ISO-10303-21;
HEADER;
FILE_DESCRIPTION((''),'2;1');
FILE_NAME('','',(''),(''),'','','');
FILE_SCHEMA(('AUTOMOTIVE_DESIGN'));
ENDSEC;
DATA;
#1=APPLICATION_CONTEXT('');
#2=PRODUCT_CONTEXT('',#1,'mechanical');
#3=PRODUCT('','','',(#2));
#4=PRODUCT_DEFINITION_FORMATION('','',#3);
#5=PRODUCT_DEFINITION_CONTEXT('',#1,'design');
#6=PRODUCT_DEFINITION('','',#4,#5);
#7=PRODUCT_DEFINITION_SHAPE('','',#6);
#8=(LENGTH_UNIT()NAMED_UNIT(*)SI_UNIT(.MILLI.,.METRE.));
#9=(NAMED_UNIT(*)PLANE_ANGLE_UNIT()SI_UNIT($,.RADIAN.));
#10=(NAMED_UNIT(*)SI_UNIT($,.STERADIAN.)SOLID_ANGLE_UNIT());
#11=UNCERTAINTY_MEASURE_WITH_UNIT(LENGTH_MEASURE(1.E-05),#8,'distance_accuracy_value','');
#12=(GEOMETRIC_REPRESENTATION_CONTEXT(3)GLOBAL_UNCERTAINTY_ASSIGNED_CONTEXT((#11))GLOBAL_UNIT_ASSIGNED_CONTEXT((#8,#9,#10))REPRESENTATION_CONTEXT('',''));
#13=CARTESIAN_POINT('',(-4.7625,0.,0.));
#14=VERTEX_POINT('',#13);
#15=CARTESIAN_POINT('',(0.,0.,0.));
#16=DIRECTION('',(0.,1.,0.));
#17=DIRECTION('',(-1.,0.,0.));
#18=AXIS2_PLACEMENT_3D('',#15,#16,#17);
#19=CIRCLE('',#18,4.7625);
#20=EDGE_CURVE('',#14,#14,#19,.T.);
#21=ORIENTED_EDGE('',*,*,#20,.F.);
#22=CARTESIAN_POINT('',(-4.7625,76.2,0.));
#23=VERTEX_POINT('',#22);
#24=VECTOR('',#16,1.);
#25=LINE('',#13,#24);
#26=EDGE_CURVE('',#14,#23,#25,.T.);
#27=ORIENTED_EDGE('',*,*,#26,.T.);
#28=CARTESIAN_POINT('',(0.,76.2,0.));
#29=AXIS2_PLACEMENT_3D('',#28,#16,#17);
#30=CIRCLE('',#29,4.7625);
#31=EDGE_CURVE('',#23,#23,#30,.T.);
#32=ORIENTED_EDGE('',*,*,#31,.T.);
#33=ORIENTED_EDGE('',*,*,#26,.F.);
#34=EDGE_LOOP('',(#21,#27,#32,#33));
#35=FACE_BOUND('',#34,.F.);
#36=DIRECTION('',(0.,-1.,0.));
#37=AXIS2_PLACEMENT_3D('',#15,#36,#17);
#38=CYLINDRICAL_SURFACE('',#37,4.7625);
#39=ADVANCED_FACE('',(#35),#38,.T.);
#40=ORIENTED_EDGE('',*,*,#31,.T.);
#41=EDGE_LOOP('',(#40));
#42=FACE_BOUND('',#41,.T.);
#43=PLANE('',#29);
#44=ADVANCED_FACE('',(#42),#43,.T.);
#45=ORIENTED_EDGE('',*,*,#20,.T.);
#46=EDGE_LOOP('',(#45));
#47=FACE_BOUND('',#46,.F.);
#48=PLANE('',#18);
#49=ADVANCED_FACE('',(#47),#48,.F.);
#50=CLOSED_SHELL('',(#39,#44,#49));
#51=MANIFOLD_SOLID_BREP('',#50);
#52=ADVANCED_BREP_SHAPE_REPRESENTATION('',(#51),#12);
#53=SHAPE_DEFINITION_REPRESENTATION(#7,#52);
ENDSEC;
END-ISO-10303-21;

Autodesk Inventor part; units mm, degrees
ref_plane "YZ Plane" through (0, 0, 0) normal (1, 0, 0) x (0, 1, 0)
ref_plane "XZ Plane" through (0, 0, 0) normal (0, 1, 0) x (-1, 0, 0)
ref_plane "XY Plane" through (0, 0, 0) normal (0, 0, 1) x (1, 0, 0)
sketch "Sketch1" plane through (0, 0, 0) normal (0, 1, 0) x (-1, 0, 0)
  circle A0 centre (0, 0) radius 4.7625
  dimension "d0" = 9.525
extrude "Extrusion1" add sketch "Sketch1" along normal blind 76.2
properties part number "Axle 0.375 3 in length"
